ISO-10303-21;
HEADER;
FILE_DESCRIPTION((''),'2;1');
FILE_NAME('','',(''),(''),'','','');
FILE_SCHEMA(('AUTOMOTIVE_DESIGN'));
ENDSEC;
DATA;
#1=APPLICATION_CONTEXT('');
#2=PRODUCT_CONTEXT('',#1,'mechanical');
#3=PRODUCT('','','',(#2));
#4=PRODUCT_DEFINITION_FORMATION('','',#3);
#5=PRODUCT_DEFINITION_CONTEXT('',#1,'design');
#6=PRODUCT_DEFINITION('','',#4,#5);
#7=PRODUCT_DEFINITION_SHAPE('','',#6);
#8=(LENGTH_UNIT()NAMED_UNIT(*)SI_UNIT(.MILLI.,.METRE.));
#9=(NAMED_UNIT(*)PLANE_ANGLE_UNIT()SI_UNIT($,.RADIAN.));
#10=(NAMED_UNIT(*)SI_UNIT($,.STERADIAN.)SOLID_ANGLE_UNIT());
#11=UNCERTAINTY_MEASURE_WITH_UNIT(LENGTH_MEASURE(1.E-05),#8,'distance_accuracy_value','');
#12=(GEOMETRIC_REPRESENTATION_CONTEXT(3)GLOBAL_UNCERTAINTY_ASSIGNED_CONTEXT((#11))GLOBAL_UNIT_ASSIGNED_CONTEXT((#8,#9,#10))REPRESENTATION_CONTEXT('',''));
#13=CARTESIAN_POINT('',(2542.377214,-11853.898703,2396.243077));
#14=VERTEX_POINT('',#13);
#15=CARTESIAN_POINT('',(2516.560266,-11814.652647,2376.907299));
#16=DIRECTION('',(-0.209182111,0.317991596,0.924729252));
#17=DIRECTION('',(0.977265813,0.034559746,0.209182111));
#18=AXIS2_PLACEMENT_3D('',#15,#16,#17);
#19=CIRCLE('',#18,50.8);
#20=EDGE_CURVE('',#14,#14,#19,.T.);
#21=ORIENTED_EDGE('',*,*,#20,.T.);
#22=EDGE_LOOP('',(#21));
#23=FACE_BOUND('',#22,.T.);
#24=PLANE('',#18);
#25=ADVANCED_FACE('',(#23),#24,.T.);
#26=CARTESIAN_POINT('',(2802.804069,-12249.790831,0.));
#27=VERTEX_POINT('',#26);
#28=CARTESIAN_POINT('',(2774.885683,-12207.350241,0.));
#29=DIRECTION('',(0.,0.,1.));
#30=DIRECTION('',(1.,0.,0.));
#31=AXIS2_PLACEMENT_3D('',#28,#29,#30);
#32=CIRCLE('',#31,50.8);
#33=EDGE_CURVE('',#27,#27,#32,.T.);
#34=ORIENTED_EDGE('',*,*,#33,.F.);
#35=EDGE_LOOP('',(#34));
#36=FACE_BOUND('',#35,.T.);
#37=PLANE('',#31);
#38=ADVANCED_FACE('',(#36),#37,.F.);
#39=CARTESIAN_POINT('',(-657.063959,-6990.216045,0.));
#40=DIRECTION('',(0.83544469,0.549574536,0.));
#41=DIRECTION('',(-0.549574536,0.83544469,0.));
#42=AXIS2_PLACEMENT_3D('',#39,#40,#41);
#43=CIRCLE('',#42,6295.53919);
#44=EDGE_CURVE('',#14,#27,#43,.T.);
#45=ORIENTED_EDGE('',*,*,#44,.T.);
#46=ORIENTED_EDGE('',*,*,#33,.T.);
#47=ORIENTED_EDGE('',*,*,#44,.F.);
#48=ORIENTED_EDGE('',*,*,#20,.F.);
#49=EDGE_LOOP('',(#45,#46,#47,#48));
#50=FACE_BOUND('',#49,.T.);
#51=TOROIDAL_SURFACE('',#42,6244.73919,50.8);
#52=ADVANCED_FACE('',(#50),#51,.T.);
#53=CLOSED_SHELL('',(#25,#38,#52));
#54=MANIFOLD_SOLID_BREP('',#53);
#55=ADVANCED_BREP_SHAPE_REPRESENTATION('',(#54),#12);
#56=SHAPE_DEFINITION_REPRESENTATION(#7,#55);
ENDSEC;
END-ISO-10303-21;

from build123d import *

# Parameters (mm, degrees)
SKETCH1_R = 50.8


with BuildPart() as part:
    # Sweep1: sweep along a path in Sketch2
    with BuildLine(Plane(origin=(-3668.091201931, -2412.953896738, 0), x_dir=(-0.2032308404109115, 0.3089446751055462, -0.929112702114121), z_dir=(-0.8354446897284507, -0.5495745358043193, 0))) as sweep1_path:
        ThreePointArc((-4335.338203333, 10892.520072969), (-5417.057618867, 10334.294193258), (-6369.931444608, 9576.821752213))
    # Sketch1 → Sweep1 (sweep)
    with BuildSketch(Plane.XY):
        with Locations((2774.885682596, -12207.350240708)):
            Circle(SKETCH1_R)
    sweep(path=sweep1_path.line)


solid = part.part
